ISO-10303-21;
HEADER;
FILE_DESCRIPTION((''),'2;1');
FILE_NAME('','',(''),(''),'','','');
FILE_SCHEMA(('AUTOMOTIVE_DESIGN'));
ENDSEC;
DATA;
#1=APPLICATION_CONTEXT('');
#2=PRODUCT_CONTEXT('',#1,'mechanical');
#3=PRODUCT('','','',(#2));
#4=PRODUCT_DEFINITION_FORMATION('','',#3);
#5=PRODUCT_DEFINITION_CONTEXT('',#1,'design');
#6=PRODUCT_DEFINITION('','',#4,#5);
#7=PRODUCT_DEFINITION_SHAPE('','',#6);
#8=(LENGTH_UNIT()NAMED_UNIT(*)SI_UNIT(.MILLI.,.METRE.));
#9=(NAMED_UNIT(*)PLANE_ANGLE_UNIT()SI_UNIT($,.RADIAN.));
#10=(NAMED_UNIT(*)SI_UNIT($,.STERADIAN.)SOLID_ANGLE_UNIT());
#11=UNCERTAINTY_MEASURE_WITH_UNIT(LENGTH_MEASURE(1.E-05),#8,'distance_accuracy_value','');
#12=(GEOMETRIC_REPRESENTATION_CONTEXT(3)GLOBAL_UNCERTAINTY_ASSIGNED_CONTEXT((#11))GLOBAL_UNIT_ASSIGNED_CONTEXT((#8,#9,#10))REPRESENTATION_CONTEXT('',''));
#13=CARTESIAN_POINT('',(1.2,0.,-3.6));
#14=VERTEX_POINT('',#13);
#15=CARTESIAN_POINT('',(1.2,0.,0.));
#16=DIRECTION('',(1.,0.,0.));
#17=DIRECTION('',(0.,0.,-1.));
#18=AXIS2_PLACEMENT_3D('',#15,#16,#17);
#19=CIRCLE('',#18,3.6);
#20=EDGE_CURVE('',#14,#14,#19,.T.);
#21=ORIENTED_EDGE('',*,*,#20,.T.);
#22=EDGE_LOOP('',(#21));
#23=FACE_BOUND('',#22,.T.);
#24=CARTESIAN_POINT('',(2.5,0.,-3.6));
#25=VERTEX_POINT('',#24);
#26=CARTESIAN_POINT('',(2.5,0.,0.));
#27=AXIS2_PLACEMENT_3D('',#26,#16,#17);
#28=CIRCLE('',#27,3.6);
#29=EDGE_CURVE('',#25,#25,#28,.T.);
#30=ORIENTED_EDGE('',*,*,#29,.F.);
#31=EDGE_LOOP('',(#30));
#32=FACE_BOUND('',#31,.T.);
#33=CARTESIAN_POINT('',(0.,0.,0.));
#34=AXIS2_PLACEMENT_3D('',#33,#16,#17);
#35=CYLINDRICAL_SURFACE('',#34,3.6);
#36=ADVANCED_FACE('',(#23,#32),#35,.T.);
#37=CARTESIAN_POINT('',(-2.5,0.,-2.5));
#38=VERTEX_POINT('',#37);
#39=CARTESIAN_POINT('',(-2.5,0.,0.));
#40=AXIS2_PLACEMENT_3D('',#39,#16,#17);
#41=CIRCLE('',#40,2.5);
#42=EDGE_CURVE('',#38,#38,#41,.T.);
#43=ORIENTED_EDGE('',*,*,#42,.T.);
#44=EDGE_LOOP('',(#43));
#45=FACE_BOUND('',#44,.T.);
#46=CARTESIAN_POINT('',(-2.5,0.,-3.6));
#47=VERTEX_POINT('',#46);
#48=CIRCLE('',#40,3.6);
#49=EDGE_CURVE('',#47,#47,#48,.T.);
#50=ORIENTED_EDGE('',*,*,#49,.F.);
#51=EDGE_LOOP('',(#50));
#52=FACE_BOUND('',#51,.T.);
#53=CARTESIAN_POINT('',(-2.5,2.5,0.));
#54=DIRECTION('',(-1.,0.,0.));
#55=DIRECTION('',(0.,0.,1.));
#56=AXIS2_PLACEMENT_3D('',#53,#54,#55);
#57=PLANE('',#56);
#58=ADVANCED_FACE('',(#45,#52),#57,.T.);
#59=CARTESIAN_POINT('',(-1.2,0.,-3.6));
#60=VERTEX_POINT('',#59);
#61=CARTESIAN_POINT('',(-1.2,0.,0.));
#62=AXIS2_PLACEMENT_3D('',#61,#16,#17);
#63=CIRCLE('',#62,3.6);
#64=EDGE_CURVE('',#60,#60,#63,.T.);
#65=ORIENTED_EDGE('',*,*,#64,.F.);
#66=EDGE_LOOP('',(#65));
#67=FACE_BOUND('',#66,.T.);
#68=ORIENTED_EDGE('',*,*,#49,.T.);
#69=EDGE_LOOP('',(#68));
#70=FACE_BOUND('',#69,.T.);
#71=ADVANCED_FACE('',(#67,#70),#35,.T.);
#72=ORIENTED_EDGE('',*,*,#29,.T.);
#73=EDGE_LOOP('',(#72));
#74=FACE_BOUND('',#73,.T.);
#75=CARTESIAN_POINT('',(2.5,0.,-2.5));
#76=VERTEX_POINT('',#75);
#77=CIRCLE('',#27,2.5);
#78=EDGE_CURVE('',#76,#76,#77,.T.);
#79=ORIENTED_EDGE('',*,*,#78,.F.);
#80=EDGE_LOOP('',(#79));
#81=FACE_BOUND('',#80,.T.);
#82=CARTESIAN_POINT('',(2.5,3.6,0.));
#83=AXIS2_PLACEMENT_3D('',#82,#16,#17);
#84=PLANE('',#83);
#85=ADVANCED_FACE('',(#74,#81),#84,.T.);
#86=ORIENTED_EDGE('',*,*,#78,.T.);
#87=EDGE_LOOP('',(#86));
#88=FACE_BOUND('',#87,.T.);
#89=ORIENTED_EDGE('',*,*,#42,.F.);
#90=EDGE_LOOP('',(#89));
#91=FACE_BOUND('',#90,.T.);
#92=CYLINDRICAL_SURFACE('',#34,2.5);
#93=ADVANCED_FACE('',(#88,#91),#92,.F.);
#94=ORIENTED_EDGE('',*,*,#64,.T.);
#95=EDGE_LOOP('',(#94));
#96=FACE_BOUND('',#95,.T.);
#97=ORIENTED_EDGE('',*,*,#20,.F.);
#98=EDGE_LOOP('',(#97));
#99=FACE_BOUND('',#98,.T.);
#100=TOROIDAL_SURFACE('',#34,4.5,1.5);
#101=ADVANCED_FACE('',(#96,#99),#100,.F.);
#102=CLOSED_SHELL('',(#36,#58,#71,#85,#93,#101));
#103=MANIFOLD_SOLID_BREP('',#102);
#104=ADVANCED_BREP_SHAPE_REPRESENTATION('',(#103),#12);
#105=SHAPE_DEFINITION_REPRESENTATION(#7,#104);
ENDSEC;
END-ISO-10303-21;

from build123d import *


with BuildPart() as part:
    # Çizim1 → Döndür1 (revolve)
    with BuildSketch(Plane.XY):
        with BuildLine():
            Line((2.5, 2.5), (-2.5, 2.5))
            Line((-2.5, 2.5), (-2.5, 3.6))
            Line((-2.5, 3.6), (-1.2, 3.6))
            ThreePointArc((-1.2, 3.6), (0, 3), (1.2, 3.6))
            Line((1.2, 3.6), (2.5, 3.6))
            Line((2.5, 3.6), (2.5, 2.5))
        make_face()
    revolve(axis=Axis((0, 0, 0), (-1, 0, 0)))


solid = part.part
